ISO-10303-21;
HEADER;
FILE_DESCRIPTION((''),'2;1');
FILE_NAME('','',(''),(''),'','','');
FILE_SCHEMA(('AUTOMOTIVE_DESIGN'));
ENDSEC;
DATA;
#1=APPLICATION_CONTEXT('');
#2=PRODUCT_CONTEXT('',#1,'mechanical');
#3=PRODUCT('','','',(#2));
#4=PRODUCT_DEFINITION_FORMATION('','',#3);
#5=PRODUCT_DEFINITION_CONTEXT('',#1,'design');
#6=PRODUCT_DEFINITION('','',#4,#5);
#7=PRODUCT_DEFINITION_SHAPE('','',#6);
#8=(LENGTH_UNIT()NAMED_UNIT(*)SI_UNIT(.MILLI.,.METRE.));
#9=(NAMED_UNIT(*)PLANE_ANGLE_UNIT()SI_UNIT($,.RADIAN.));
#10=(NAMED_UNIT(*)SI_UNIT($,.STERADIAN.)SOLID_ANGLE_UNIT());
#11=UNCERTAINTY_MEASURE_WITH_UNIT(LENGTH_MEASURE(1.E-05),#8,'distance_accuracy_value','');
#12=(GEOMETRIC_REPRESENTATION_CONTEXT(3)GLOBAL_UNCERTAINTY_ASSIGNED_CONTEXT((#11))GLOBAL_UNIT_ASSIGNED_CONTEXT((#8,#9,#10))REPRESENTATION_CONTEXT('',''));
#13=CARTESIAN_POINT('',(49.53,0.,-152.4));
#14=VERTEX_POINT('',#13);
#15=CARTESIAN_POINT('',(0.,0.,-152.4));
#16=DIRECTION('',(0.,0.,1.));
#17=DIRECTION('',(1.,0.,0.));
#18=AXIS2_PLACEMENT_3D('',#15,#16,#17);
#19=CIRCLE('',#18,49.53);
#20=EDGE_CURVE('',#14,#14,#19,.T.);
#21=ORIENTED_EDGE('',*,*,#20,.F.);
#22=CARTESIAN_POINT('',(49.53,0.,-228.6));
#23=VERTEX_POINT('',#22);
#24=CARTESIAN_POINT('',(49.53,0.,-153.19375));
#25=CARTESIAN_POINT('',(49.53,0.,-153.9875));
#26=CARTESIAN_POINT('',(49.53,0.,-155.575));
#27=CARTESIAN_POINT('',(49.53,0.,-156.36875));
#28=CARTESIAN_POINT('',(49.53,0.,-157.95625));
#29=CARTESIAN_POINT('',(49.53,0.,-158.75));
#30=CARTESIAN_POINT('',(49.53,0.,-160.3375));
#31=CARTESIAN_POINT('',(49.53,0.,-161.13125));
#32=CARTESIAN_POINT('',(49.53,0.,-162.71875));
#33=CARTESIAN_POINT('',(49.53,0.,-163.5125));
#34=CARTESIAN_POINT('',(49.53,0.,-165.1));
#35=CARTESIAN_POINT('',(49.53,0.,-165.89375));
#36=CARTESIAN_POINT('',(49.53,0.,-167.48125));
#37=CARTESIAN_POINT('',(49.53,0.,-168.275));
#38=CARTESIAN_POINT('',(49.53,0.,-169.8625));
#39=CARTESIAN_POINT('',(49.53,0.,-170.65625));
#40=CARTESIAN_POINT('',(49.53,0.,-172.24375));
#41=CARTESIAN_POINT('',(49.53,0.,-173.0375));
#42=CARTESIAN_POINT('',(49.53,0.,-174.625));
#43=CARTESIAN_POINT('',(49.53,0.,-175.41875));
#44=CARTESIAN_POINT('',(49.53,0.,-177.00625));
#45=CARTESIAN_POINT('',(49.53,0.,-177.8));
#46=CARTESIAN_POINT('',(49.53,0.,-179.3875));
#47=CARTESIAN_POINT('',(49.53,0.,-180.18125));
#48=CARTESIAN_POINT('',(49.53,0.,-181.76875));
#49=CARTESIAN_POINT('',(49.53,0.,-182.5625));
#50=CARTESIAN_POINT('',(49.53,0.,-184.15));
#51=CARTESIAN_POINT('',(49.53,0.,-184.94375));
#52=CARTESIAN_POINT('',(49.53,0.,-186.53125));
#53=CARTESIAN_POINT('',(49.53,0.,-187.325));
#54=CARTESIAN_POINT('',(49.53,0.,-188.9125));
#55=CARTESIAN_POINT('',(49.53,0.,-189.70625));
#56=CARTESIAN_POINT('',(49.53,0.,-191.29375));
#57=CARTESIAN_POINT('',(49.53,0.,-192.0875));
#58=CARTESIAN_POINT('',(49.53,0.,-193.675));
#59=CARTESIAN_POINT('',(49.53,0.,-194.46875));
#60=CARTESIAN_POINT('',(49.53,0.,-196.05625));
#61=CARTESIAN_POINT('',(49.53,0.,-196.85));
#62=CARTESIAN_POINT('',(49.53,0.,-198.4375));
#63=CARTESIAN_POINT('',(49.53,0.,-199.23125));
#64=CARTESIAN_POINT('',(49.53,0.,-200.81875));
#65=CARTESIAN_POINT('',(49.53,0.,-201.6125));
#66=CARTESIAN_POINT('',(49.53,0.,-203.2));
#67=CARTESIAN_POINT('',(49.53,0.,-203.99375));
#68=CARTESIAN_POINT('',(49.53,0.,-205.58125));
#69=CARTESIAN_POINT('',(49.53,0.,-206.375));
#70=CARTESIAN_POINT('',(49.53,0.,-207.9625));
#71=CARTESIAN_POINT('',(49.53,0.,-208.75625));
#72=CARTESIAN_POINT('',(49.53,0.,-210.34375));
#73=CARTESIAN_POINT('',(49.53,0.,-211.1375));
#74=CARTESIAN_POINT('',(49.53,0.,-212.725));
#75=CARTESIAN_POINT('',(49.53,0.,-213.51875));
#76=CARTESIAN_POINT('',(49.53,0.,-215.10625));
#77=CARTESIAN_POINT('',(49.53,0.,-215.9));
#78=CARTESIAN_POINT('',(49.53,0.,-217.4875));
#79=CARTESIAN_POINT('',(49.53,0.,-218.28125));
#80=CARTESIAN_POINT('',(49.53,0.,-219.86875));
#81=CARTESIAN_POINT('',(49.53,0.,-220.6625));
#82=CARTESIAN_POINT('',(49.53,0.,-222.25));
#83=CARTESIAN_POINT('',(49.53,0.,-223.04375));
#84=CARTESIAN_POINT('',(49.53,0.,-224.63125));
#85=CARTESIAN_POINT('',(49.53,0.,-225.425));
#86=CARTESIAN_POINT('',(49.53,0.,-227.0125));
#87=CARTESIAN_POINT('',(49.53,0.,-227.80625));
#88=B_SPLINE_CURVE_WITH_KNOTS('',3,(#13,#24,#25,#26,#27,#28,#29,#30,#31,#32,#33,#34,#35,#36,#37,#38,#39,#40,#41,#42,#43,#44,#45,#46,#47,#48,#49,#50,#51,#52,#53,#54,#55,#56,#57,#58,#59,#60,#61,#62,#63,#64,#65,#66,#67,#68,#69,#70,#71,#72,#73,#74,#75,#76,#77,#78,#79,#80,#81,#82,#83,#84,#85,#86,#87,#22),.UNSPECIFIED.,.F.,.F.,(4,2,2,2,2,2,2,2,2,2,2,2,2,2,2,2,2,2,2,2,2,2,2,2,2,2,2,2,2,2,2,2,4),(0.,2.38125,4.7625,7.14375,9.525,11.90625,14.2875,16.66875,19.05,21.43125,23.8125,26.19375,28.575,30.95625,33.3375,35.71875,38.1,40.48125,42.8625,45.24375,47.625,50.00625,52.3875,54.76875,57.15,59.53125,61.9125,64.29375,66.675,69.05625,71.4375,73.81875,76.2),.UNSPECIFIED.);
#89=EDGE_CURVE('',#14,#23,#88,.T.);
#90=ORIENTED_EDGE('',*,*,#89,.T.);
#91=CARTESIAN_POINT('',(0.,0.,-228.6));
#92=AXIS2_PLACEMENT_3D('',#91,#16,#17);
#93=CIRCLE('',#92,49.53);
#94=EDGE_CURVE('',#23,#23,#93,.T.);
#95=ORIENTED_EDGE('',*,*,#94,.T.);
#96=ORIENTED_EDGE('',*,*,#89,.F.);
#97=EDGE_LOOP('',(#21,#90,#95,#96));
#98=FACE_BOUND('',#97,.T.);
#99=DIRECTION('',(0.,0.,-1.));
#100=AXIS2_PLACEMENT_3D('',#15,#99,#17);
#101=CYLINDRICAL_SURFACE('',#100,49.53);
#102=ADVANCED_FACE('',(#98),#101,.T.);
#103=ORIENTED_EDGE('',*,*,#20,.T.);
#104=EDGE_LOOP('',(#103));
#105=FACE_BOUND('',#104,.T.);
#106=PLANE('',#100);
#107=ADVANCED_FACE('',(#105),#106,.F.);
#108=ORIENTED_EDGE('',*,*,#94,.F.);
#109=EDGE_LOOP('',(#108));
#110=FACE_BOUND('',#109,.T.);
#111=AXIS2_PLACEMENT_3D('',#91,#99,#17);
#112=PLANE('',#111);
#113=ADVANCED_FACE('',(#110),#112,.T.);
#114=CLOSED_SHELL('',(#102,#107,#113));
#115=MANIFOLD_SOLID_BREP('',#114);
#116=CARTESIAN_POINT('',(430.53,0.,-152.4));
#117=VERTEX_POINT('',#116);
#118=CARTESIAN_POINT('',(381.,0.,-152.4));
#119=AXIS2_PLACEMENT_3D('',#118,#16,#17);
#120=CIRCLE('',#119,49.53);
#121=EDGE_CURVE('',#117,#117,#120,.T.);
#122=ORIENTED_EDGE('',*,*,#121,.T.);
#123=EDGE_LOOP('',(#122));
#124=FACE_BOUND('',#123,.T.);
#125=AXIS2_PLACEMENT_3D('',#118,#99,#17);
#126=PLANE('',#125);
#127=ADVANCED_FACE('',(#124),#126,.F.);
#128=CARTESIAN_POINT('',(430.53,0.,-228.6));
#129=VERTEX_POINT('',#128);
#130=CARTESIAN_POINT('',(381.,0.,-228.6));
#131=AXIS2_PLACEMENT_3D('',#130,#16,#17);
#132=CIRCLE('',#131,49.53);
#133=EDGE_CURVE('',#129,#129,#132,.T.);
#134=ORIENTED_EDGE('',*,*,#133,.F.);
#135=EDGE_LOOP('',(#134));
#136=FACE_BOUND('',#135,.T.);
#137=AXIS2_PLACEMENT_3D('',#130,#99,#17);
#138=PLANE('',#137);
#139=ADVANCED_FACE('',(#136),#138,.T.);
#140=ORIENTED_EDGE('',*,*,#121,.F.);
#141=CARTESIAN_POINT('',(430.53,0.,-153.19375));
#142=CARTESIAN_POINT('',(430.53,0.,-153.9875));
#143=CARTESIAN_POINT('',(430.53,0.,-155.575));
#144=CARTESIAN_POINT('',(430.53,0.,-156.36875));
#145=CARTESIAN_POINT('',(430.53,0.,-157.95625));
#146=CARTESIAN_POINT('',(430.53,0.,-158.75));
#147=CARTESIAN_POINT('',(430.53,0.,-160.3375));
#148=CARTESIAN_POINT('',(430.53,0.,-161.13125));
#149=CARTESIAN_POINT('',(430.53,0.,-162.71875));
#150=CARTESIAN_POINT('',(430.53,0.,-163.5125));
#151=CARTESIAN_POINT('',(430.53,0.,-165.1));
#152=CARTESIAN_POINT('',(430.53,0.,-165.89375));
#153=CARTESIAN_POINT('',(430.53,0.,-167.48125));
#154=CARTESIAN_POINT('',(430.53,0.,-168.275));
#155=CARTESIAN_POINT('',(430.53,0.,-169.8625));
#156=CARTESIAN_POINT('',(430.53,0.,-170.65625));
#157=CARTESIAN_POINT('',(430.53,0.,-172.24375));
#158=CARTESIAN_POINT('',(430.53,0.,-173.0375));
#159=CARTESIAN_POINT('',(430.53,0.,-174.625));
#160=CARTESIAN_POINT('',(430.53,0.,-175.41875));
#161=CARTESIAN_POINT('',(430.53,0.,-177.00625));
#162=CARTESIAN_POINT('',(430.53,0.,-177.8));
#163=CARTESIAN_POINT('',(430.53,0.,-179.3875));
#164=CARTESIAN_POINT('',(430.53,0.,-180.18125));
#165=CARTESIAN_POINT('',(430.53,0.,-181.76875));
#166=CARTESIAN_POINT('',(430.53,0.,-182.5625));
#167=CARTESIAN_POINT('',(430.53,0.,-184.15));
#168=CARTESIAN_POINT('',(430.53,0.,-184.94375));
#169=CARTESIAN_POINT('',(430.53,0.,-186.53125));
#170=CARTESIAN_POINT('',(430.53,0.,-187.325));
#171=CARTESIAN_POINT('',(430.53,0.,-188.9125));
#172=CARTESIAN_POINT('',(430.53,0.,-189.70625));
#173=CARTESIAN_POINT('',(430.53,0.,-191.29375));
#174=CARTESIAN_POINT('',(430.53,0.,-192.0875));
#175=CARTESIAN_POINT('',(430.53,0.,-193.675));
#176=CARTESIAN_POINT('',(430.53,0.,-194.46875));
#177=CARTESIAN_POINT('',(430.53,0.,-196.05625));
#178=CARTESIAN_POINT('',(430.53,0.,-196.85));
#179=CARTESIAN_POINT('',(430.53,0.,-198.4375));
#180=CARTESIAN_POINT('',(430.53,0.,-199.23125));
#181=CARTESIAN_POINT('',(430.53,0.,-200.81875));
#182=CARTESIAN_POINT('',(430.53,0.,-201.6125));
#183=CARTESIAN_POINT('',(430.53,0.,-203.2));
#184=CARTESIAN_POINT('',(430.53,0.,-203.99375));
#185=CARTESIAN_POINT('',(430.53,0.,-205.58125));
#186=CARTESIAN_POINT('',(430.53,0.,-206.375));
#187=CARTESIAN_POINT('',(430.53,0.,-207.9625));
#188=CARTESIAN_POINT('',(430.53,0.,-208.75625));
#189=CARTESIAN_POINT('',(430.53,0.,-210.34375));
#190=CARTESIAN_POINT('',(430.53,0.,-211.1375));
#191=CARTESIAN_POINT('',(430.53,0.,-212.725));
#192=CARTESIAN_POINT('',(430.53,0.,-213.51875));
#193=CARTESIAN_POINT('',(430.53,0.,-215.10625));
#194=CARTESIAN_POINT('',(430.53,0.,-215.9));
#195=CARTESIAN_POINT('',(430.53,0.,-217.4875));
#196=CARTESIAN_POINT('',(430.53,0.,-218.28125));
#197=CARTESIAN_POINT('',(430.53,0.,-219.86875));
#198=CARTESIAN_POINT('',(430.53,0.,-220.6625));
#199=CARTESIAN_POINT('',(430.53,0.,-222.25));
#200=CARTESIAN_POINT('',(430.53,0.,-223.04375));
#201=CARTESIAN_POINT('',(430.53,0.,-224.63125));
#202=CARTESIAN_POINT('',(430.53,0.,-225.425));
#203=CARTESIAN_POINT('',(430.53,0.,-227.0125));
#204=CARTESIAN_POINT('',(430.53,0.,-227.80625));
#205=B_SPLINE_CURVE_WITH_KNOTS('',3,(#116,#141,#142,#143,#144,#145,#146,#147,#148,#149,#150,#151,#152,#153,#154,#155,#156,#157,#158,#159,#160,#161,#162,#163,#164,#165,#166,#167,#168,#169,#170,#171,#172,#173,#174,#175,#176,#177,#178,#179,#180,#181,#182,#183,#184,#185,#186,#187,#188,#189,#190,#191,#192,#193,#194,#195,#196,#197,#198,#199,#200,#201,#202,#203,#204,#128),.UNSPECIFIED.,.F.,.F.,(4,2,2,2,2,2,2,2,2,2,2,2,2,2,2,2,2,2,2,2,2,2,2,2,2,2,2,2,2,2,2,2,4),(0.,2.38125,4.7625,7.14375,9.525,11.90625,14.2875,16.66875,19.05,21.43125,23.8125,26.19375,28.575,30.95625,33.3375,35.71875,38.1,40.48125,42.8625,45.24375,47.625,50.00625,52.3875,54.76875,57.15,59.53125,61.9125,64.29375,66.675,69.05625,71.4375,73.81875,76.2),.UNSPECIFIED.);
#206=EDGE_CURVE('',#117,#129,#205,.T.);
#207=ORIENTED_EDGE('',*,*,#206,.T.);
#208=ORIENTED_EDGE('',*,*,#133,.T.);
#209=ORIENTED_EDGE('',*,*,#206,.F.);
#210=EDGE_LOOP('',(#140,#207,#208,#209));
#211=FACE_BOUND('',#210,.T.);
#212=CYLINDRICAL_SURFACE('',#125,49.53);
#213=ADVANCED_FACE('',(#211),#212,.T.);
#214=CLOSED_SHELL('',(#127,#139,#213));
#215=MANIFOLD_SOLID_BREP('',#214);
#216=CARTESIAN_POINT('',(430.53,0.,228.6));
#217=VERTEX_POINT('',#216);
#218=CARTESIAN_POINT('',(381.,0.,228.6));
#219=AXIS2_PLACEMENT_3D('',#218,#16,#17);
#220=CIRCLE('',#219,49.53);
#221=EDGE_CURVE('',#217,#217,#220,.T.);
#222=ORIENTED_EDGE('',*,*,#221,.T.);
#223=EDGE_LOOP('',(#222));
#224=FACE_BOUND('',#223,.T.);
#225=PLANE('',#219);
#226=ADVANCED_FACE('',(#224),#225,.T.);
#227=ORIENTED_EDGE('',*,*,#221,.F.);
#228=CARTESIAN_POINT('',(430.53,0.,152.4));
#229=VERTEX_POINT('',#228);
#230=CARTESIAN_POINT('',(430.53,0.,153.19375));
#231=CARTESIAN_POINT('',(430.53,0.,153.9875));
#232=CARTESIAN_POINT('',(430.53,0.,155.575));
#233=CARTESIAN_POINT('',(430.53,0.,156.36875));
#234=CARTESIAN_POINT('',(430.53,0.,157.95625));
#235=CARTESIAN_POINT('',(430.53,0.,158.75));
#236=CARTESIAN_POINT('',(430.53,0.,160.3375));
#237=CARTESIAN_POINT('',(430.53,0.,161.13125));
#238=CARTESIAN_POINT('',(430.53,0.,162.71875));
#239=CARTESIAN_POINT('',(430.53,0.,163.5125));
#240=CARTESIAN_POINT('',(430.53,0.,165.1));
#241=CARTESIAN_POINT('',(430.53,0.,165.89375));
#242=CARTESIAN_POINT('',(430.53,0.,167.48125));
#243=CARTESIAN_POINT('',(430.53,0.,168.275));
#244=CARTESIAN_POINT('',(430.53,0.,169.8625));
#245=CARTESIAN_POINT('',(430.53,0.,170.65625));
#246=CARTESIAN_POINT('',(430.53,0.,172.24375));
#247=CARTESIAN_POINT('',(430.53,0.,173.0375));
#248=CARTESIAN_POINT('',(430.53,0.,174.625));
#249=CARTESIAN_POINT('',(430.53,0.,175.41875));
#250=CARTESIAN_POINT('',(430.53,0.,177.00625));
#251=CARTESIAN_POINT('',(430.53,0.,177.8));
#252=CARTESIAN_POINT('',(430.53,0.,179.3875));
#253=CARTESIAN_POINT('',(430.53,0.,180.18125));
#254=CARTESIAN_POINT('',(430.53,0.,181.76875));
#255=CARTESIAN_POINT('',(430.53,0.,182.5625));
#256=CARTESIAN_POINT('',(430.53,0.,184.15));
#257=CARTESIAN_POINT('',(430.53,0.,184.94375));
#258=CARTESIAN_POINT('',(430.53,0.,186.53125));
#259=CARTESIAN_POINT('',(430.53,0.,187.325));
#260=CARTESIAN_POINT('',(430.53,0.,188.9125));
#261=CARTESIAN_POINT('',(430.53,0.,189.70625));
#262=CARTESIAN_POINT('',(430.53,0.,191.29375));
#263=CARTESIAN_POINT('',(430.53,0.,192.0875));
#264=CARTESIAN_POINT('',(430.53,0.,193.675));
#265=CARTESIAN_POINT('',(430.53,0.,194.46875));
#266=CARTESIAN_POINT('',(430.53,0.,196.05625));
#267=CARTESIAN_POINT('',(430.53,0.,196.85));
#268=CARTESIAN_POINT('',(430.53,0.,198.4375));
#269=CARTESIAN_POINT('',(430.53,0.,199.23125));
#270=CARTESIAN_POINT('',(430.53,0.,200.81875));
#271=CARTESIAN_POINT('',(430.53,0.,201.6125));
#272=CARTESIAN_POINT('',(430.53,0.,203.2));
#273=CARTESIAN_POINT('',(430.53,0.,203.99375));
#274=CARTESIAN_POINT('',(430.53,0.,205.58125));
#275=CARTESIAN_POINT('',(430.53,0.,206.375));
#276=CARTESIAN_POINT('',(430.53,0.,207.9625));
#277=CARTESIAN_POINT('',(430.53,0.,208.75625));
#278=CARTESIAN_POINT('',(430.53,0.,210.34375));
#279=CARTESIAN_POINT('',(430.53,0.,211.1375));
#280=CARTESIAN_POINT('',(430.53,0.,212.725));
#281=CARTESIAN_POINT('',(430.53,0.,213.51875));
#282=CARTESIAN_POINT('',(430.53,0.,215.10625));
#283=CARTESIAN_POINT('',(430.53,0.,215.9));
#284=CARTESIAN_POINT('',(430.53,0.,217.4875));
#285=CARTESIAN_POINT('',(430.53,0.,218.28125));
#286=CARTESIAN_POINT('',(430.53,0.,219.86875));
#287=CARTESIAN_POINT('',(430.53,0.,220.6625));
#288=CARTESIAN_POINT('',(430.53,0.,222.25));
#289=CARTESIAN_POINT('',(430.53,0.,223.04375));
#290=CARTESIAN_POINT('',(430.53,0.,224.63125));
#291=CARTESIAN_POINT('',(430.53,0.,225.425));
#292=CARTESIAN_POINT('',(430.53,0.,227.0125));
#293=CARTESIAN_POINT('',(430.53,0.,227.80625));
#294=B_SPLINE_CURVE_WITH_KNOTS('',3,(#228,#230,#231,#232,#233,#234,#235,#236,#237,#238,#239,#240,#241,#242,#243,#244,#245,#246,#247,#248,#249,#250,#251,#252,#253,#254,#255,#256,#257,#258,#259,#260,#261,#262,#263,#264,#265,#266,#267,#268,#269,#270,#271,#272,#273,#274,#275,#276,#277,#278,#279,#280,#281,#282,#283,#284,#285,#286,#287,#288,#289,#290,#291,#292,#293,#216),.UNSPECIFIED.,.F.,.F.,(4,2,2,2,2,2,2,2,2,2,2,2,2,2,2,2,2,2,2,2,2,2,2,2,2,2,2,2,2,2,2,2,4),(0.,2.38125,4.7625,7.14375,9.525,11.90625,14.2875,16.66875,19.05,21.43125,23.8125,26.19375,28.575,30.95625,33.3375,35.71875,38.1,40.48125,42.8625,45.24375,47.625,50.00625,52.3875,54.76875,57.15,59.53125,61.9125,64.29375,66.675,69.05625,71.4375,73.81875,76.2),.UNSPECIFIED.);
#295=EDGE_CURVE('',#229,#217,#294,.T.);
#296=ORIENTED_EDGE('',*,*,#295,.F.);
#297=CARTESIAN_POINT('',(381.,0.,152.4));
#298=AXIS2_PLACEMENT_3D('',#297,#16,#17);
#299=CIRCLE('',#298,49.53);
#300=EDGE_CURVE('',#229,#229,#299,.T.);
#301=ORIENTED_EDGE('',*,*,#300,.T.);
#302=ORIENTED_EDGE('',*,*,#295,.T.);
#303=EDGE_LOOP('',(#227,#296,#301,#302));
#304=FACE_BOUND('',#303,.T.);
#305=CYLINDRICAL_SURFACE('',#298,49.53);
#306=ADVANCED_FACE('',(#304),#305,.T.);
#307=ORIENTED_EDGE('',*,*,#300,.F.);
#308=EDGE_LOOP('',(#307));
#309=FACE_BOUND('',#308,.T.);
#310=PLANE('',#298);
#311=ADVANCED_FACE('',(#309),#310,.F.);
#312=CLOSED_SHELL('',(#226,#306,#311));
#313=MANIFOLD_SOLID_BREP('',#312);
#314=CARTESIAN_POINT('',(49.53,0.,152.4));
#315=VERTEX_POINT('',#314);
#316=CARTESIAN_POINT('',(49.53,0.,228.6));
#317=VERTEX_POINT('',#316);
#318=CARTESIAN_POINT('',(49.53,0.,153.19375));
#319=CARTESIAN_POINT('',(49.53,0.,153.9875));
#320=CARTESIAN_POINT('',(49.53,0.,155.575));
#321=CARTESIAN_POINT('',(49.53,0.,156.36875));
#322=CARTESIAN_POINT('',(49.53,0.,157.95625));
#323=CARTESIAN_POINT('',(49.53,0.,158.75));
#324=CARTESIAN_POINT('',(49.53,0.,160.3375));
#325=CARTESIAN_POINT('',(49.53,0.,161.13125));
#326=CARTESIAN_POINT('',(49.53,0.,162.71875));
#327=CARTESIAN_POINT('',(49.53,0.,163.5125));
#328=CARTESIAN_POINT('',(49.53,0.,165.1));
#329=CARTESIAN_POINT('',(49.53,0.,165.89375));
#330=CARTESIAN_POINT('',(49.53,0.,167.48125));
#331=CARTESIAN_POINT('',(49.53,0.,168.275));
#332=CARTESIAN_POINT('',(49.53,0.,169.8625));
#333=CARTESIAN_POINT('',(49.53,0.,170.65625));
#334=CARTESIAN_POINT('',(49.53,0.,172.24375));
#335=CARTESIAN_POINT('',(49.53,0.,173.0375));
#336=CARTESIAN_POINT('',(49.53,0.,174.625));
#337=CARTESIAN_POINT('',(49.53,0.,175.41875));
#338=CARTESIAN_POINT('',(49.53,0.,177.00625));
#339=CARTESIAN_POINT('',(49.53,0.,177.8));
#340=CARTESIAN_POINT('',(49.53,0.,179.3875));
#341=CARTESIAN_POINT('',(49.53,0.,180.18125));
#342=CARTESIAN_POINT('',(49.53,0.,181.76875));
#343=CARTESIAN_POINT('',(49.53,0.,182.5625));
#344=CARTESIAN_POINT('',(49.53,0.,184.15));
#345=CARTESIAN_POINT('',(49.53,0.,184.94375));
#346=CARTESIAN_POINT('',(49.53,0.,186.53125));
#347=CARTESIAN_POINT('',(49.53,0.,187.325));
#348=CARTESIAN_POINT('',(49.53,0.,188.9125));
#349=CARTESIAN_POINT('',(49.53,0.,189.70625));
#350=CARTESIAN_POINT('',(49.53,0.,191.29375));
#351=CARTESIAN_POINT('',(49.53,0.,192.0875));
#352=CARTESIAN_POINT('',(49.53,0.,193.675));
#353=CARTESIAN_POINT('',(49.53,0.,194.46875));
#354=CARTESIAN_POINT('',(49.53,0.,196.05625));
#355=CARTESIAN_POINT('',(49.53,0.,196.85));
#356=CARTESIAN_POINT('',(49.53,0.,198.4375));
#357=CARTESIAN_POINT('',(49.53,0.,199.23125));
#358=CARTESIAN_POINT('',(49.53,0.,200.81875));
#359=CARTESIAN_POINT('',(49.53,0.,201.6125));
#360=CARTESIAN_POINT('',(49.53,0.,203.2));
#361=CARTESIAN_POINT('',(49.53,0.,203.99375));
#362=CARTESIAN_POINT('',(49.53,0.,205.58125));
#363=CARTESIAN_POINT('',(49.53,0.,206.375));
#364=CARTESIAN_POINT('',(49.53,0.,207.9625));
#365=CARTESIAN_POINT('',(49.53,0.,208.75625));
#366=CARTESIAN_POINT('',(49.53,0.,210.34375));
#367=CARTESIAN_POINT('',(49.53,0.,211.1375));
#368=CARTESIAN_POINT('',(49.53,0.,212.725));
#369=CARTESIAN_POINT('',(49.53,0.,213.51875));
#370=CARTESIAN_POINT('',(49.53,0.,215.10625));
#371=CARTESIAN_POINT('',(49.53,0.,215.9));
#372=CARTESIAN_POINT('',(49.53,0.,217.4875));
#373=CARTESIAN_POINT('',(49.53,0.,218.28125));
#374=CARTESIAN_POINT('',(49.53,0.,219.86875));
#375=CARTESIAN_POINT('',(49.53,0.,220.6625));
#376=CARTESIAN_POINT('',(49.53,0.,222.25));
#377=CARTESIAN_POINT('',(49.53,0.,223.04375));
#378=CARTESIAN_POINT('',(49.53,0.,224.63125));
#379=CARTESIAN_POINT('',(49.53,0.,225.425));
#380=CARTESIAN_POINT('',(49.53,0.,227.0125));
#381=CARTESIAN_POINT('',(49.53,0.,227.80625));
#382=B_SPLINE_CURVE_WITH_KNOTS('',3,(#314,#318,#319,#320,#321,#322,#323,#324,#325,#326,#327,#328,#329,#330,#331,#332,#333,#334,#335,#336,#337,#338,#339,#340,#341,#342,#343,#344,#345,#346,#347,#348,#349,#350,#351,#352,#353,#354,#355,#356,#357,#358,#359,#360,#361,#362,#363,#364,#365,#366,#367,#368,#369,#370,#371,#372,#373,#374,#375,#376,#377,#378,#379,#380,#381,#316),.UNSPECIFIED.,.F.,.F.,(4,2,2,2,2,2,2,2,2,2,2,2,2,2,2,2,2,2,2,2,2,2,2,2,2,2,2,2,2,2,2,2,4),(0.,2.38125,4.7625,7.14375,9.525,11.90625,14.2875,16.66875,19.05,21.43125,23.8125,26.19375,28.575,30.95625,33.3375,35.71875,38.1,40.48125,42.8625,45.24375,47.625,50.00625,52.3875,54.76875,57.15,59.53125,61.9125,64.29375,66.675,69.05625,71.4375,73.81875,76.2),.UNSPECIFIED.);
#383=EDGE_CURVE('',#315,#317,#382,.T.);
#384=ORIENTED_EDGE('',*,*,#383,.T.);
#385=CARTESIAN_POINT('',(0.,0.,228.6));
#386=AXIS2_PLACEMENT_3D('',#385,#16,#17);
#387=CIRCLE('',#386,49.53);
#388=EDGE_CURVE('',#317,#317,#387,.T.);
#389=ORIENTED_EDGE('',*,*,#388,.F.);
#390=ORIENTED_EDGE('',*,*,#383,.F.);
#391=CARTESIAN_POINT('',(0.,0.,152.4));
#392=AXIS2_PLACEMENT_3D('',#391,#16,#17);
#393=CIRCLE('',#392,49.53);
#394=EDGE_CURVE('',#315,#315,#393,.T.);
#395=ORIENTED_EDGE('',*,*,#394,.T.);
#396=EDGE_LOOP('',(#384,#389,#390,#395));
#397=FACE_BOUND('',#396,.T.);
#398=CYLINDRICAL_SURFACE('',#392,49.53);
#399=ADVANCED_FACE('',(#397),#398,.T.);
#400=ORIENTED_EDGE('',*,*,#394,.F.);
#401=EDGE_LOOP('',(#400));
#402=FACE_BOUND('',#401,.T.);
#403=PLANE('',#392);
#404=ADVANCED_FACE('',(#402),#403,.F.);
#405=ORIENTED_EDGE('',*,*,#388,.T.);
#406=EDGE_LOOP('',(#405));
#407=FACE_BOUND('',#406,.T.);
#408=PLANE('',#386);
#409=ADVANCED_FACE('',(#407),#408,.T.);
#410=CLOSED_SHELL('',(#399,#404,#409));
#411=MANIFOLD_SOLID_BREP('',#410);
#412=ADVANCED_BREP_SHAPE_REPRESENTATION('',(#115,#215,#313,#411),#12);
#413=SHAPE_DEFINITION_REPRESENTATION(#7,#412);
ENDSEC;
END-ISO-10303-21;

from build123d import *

# Parameters (mm, degrees)
BOSS_EXTRUDE1_START   = 228.6
SKETCH1_R             = 49.53
BOSS_EXTRUDE1_DEPTH   = 76.2
BOSS_EXTRUDE1_2_DEPTH = 76.2


with BuildPart() as part:
    # Sketch1 → Boss-Extrude1 (new body)
    with BuildSketch(Plane.XY.offset(BOSS_EXTRUDE1_START)):
        Circle(SKETCH1_R)
    extrude(amount=-BOSS_EXTRUDE1_DEPTH)


with BuildPart() as body_2:
    # Sketch1 → Boss-Extrude1 2 (new body)
    with BuildSketch(Plane.XY.offset(BOSS_EXTRUDE1_START)):
        with Locations((381, 0)):
            Circle(SKETCH1_R)
    extrude(amount=-BOSS_EXTRUDE1_2_DEPTH)


with BuildPart() as body_3:
    # Mirror3: mirrored copy
    add(part.part.mirror(Plane.XY))


with BuildPart() as body_4:
    # Mirror3 2: mirrored copy
    add(body_2.part.mirror(Plane.XY))


solid = Compound([part.part, body_2.part, body_3.part, body_4.part])
